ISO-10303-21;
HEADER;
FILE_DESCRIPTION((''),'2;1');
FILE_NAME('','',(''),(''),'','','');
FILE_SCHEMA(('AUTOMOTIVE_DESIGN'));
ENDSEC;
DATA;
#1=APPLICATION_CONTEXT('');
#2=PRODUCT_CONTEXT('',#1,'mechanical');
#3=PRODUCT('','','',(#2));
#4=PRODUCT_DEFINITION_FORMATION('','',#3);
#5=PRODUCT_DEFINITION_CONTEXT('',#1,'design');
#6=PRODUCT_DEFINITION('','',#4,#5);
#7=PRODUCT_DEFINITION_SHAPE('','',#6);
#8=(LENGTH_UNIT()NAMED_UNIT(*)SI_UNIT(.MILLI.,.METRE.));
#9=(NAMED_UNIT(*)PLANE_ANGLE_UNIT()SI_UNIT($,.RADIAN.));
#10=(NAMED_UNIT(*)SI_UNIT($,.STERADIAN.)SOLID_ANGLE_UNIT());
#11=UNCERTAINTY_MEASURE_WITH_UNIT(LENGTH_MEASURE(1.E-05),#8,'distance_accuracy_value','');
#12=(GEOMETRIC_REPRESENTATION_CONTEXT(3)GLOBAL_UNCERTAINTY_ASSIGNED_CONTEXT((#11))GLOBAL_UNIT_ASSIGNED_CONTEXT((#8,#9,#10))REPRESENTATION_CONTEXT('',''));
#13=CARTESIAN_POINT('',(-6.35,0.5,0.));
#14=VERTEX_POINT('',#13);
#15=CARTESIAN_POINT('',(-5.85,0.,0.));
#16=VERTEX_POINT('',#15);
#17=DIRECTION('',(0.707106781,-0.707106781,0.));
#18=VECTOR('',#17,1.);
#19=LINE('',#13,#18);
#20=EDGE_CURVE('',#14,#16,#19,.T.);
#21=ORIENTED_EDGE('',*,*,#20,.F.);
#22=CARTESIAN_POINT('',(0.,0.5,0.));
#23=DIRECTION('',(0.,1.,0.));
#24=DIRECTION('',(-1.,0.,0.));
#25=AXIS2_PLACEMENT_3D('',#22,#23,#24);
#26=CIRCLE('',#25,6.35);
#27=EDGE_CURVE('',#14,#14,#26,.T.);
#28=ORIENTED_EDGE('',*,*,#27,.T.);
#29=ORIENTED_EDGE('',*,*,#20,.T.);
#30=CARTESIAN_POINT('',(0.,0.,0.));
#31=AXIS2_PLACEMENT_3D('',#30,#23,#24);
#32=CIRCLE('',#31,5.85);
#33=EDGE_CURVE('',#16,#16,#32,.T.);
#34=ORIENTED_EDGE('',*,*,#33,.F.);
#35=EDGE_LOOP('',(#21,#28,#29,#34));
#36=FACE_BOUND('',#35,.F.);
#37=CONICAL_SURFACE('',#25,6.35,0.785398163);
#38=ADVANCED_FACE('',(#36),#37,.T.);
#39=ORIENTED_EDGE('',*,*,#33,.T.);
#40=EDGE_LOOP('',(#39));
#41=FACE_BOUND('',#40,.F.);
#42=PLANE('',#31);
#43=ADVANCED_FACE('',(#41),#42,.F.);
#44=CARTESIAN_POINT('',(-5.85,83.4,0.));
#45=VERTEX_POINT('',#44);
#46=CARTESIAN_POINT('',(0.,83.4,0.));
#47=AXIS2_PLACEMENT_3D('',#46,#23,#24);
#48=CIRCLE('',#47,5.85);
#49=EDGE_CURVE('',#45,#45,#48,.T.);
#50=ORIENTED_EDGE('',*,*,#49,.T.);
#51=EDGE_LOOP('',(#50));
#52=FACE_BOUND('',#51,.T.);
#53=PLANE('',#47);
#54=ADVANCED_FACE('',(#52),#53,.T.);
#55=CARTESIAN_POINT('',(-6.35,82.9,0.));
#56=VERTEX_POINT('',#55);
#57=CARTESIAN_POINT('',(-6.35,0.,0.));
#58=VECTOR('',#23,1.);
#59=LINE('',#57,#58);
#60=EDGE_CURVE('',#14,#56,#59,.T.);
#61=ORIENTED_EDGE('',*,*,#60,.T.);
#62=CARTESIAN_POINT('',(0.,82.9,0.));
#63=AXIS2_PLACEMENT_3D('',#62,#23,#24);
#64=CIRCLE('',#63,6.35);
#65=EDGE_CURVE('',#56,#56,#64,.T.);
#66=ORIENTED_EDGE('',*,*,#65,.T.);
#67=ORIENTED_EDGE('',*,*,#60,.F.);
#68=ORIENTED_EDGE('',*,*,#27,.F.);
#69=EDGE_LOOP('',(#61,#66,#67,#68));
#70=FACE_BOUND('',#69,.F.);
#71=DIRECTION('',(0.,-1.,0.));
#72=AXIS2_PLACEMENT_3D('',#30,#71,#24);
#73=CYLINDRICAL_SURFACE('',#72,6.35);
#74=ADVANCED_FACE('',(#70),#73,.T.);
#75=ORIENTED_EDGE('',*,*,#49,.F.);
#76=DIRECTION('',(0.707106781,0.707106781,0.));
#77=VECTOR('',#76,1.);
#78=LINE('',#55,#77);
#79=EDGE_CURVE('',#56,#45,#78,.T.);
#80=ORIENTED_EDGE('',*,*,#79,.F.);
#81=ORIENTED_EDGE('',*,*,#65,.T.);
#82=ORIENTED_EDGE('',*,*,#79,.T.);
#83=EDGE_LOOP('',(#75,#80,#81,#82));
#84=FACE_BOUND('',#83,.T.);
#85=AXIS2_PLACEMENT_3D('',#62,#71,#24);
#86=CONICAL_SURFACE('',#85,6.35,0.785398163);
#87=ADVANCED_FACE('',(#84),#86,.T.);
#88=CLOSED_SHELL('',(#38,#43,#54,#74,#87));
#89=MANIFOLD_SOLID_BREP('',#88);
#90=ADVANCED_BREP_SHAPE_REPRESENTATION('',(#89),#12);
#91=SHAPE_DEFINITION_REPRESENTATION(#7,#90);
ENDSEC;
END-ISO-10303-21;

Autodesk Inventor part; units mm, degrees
ref_plane "YZ Plane" through (0, 0, 0) normal (1, 0, 0) x (0, 1, 0)
ref_plane "XZ Plane" through (0, 0, 0) normal (0, 1, 0) x (-1, 0, 0)
ref_plane "XY Plane" through (0, 0, 0) normal (0, 0, 1) x (1, 0, 0)
sketch "Esboço1" plane through (0, 0, 0) normal (0, 1, 0) x (-1, 0, 0)
  circle A0 centre (0, 0) radius 6.35
  dimension "d0" = 12.7
extrude "Extrusão1" add sketch "Esboço1" along normal blind 83.4
chamfer "Chanfro1" distance 0.5 angle 45 2 edges at (6.35, 83.4, 0) (6.35, 0, 0)
properties part number "eixo 6"
